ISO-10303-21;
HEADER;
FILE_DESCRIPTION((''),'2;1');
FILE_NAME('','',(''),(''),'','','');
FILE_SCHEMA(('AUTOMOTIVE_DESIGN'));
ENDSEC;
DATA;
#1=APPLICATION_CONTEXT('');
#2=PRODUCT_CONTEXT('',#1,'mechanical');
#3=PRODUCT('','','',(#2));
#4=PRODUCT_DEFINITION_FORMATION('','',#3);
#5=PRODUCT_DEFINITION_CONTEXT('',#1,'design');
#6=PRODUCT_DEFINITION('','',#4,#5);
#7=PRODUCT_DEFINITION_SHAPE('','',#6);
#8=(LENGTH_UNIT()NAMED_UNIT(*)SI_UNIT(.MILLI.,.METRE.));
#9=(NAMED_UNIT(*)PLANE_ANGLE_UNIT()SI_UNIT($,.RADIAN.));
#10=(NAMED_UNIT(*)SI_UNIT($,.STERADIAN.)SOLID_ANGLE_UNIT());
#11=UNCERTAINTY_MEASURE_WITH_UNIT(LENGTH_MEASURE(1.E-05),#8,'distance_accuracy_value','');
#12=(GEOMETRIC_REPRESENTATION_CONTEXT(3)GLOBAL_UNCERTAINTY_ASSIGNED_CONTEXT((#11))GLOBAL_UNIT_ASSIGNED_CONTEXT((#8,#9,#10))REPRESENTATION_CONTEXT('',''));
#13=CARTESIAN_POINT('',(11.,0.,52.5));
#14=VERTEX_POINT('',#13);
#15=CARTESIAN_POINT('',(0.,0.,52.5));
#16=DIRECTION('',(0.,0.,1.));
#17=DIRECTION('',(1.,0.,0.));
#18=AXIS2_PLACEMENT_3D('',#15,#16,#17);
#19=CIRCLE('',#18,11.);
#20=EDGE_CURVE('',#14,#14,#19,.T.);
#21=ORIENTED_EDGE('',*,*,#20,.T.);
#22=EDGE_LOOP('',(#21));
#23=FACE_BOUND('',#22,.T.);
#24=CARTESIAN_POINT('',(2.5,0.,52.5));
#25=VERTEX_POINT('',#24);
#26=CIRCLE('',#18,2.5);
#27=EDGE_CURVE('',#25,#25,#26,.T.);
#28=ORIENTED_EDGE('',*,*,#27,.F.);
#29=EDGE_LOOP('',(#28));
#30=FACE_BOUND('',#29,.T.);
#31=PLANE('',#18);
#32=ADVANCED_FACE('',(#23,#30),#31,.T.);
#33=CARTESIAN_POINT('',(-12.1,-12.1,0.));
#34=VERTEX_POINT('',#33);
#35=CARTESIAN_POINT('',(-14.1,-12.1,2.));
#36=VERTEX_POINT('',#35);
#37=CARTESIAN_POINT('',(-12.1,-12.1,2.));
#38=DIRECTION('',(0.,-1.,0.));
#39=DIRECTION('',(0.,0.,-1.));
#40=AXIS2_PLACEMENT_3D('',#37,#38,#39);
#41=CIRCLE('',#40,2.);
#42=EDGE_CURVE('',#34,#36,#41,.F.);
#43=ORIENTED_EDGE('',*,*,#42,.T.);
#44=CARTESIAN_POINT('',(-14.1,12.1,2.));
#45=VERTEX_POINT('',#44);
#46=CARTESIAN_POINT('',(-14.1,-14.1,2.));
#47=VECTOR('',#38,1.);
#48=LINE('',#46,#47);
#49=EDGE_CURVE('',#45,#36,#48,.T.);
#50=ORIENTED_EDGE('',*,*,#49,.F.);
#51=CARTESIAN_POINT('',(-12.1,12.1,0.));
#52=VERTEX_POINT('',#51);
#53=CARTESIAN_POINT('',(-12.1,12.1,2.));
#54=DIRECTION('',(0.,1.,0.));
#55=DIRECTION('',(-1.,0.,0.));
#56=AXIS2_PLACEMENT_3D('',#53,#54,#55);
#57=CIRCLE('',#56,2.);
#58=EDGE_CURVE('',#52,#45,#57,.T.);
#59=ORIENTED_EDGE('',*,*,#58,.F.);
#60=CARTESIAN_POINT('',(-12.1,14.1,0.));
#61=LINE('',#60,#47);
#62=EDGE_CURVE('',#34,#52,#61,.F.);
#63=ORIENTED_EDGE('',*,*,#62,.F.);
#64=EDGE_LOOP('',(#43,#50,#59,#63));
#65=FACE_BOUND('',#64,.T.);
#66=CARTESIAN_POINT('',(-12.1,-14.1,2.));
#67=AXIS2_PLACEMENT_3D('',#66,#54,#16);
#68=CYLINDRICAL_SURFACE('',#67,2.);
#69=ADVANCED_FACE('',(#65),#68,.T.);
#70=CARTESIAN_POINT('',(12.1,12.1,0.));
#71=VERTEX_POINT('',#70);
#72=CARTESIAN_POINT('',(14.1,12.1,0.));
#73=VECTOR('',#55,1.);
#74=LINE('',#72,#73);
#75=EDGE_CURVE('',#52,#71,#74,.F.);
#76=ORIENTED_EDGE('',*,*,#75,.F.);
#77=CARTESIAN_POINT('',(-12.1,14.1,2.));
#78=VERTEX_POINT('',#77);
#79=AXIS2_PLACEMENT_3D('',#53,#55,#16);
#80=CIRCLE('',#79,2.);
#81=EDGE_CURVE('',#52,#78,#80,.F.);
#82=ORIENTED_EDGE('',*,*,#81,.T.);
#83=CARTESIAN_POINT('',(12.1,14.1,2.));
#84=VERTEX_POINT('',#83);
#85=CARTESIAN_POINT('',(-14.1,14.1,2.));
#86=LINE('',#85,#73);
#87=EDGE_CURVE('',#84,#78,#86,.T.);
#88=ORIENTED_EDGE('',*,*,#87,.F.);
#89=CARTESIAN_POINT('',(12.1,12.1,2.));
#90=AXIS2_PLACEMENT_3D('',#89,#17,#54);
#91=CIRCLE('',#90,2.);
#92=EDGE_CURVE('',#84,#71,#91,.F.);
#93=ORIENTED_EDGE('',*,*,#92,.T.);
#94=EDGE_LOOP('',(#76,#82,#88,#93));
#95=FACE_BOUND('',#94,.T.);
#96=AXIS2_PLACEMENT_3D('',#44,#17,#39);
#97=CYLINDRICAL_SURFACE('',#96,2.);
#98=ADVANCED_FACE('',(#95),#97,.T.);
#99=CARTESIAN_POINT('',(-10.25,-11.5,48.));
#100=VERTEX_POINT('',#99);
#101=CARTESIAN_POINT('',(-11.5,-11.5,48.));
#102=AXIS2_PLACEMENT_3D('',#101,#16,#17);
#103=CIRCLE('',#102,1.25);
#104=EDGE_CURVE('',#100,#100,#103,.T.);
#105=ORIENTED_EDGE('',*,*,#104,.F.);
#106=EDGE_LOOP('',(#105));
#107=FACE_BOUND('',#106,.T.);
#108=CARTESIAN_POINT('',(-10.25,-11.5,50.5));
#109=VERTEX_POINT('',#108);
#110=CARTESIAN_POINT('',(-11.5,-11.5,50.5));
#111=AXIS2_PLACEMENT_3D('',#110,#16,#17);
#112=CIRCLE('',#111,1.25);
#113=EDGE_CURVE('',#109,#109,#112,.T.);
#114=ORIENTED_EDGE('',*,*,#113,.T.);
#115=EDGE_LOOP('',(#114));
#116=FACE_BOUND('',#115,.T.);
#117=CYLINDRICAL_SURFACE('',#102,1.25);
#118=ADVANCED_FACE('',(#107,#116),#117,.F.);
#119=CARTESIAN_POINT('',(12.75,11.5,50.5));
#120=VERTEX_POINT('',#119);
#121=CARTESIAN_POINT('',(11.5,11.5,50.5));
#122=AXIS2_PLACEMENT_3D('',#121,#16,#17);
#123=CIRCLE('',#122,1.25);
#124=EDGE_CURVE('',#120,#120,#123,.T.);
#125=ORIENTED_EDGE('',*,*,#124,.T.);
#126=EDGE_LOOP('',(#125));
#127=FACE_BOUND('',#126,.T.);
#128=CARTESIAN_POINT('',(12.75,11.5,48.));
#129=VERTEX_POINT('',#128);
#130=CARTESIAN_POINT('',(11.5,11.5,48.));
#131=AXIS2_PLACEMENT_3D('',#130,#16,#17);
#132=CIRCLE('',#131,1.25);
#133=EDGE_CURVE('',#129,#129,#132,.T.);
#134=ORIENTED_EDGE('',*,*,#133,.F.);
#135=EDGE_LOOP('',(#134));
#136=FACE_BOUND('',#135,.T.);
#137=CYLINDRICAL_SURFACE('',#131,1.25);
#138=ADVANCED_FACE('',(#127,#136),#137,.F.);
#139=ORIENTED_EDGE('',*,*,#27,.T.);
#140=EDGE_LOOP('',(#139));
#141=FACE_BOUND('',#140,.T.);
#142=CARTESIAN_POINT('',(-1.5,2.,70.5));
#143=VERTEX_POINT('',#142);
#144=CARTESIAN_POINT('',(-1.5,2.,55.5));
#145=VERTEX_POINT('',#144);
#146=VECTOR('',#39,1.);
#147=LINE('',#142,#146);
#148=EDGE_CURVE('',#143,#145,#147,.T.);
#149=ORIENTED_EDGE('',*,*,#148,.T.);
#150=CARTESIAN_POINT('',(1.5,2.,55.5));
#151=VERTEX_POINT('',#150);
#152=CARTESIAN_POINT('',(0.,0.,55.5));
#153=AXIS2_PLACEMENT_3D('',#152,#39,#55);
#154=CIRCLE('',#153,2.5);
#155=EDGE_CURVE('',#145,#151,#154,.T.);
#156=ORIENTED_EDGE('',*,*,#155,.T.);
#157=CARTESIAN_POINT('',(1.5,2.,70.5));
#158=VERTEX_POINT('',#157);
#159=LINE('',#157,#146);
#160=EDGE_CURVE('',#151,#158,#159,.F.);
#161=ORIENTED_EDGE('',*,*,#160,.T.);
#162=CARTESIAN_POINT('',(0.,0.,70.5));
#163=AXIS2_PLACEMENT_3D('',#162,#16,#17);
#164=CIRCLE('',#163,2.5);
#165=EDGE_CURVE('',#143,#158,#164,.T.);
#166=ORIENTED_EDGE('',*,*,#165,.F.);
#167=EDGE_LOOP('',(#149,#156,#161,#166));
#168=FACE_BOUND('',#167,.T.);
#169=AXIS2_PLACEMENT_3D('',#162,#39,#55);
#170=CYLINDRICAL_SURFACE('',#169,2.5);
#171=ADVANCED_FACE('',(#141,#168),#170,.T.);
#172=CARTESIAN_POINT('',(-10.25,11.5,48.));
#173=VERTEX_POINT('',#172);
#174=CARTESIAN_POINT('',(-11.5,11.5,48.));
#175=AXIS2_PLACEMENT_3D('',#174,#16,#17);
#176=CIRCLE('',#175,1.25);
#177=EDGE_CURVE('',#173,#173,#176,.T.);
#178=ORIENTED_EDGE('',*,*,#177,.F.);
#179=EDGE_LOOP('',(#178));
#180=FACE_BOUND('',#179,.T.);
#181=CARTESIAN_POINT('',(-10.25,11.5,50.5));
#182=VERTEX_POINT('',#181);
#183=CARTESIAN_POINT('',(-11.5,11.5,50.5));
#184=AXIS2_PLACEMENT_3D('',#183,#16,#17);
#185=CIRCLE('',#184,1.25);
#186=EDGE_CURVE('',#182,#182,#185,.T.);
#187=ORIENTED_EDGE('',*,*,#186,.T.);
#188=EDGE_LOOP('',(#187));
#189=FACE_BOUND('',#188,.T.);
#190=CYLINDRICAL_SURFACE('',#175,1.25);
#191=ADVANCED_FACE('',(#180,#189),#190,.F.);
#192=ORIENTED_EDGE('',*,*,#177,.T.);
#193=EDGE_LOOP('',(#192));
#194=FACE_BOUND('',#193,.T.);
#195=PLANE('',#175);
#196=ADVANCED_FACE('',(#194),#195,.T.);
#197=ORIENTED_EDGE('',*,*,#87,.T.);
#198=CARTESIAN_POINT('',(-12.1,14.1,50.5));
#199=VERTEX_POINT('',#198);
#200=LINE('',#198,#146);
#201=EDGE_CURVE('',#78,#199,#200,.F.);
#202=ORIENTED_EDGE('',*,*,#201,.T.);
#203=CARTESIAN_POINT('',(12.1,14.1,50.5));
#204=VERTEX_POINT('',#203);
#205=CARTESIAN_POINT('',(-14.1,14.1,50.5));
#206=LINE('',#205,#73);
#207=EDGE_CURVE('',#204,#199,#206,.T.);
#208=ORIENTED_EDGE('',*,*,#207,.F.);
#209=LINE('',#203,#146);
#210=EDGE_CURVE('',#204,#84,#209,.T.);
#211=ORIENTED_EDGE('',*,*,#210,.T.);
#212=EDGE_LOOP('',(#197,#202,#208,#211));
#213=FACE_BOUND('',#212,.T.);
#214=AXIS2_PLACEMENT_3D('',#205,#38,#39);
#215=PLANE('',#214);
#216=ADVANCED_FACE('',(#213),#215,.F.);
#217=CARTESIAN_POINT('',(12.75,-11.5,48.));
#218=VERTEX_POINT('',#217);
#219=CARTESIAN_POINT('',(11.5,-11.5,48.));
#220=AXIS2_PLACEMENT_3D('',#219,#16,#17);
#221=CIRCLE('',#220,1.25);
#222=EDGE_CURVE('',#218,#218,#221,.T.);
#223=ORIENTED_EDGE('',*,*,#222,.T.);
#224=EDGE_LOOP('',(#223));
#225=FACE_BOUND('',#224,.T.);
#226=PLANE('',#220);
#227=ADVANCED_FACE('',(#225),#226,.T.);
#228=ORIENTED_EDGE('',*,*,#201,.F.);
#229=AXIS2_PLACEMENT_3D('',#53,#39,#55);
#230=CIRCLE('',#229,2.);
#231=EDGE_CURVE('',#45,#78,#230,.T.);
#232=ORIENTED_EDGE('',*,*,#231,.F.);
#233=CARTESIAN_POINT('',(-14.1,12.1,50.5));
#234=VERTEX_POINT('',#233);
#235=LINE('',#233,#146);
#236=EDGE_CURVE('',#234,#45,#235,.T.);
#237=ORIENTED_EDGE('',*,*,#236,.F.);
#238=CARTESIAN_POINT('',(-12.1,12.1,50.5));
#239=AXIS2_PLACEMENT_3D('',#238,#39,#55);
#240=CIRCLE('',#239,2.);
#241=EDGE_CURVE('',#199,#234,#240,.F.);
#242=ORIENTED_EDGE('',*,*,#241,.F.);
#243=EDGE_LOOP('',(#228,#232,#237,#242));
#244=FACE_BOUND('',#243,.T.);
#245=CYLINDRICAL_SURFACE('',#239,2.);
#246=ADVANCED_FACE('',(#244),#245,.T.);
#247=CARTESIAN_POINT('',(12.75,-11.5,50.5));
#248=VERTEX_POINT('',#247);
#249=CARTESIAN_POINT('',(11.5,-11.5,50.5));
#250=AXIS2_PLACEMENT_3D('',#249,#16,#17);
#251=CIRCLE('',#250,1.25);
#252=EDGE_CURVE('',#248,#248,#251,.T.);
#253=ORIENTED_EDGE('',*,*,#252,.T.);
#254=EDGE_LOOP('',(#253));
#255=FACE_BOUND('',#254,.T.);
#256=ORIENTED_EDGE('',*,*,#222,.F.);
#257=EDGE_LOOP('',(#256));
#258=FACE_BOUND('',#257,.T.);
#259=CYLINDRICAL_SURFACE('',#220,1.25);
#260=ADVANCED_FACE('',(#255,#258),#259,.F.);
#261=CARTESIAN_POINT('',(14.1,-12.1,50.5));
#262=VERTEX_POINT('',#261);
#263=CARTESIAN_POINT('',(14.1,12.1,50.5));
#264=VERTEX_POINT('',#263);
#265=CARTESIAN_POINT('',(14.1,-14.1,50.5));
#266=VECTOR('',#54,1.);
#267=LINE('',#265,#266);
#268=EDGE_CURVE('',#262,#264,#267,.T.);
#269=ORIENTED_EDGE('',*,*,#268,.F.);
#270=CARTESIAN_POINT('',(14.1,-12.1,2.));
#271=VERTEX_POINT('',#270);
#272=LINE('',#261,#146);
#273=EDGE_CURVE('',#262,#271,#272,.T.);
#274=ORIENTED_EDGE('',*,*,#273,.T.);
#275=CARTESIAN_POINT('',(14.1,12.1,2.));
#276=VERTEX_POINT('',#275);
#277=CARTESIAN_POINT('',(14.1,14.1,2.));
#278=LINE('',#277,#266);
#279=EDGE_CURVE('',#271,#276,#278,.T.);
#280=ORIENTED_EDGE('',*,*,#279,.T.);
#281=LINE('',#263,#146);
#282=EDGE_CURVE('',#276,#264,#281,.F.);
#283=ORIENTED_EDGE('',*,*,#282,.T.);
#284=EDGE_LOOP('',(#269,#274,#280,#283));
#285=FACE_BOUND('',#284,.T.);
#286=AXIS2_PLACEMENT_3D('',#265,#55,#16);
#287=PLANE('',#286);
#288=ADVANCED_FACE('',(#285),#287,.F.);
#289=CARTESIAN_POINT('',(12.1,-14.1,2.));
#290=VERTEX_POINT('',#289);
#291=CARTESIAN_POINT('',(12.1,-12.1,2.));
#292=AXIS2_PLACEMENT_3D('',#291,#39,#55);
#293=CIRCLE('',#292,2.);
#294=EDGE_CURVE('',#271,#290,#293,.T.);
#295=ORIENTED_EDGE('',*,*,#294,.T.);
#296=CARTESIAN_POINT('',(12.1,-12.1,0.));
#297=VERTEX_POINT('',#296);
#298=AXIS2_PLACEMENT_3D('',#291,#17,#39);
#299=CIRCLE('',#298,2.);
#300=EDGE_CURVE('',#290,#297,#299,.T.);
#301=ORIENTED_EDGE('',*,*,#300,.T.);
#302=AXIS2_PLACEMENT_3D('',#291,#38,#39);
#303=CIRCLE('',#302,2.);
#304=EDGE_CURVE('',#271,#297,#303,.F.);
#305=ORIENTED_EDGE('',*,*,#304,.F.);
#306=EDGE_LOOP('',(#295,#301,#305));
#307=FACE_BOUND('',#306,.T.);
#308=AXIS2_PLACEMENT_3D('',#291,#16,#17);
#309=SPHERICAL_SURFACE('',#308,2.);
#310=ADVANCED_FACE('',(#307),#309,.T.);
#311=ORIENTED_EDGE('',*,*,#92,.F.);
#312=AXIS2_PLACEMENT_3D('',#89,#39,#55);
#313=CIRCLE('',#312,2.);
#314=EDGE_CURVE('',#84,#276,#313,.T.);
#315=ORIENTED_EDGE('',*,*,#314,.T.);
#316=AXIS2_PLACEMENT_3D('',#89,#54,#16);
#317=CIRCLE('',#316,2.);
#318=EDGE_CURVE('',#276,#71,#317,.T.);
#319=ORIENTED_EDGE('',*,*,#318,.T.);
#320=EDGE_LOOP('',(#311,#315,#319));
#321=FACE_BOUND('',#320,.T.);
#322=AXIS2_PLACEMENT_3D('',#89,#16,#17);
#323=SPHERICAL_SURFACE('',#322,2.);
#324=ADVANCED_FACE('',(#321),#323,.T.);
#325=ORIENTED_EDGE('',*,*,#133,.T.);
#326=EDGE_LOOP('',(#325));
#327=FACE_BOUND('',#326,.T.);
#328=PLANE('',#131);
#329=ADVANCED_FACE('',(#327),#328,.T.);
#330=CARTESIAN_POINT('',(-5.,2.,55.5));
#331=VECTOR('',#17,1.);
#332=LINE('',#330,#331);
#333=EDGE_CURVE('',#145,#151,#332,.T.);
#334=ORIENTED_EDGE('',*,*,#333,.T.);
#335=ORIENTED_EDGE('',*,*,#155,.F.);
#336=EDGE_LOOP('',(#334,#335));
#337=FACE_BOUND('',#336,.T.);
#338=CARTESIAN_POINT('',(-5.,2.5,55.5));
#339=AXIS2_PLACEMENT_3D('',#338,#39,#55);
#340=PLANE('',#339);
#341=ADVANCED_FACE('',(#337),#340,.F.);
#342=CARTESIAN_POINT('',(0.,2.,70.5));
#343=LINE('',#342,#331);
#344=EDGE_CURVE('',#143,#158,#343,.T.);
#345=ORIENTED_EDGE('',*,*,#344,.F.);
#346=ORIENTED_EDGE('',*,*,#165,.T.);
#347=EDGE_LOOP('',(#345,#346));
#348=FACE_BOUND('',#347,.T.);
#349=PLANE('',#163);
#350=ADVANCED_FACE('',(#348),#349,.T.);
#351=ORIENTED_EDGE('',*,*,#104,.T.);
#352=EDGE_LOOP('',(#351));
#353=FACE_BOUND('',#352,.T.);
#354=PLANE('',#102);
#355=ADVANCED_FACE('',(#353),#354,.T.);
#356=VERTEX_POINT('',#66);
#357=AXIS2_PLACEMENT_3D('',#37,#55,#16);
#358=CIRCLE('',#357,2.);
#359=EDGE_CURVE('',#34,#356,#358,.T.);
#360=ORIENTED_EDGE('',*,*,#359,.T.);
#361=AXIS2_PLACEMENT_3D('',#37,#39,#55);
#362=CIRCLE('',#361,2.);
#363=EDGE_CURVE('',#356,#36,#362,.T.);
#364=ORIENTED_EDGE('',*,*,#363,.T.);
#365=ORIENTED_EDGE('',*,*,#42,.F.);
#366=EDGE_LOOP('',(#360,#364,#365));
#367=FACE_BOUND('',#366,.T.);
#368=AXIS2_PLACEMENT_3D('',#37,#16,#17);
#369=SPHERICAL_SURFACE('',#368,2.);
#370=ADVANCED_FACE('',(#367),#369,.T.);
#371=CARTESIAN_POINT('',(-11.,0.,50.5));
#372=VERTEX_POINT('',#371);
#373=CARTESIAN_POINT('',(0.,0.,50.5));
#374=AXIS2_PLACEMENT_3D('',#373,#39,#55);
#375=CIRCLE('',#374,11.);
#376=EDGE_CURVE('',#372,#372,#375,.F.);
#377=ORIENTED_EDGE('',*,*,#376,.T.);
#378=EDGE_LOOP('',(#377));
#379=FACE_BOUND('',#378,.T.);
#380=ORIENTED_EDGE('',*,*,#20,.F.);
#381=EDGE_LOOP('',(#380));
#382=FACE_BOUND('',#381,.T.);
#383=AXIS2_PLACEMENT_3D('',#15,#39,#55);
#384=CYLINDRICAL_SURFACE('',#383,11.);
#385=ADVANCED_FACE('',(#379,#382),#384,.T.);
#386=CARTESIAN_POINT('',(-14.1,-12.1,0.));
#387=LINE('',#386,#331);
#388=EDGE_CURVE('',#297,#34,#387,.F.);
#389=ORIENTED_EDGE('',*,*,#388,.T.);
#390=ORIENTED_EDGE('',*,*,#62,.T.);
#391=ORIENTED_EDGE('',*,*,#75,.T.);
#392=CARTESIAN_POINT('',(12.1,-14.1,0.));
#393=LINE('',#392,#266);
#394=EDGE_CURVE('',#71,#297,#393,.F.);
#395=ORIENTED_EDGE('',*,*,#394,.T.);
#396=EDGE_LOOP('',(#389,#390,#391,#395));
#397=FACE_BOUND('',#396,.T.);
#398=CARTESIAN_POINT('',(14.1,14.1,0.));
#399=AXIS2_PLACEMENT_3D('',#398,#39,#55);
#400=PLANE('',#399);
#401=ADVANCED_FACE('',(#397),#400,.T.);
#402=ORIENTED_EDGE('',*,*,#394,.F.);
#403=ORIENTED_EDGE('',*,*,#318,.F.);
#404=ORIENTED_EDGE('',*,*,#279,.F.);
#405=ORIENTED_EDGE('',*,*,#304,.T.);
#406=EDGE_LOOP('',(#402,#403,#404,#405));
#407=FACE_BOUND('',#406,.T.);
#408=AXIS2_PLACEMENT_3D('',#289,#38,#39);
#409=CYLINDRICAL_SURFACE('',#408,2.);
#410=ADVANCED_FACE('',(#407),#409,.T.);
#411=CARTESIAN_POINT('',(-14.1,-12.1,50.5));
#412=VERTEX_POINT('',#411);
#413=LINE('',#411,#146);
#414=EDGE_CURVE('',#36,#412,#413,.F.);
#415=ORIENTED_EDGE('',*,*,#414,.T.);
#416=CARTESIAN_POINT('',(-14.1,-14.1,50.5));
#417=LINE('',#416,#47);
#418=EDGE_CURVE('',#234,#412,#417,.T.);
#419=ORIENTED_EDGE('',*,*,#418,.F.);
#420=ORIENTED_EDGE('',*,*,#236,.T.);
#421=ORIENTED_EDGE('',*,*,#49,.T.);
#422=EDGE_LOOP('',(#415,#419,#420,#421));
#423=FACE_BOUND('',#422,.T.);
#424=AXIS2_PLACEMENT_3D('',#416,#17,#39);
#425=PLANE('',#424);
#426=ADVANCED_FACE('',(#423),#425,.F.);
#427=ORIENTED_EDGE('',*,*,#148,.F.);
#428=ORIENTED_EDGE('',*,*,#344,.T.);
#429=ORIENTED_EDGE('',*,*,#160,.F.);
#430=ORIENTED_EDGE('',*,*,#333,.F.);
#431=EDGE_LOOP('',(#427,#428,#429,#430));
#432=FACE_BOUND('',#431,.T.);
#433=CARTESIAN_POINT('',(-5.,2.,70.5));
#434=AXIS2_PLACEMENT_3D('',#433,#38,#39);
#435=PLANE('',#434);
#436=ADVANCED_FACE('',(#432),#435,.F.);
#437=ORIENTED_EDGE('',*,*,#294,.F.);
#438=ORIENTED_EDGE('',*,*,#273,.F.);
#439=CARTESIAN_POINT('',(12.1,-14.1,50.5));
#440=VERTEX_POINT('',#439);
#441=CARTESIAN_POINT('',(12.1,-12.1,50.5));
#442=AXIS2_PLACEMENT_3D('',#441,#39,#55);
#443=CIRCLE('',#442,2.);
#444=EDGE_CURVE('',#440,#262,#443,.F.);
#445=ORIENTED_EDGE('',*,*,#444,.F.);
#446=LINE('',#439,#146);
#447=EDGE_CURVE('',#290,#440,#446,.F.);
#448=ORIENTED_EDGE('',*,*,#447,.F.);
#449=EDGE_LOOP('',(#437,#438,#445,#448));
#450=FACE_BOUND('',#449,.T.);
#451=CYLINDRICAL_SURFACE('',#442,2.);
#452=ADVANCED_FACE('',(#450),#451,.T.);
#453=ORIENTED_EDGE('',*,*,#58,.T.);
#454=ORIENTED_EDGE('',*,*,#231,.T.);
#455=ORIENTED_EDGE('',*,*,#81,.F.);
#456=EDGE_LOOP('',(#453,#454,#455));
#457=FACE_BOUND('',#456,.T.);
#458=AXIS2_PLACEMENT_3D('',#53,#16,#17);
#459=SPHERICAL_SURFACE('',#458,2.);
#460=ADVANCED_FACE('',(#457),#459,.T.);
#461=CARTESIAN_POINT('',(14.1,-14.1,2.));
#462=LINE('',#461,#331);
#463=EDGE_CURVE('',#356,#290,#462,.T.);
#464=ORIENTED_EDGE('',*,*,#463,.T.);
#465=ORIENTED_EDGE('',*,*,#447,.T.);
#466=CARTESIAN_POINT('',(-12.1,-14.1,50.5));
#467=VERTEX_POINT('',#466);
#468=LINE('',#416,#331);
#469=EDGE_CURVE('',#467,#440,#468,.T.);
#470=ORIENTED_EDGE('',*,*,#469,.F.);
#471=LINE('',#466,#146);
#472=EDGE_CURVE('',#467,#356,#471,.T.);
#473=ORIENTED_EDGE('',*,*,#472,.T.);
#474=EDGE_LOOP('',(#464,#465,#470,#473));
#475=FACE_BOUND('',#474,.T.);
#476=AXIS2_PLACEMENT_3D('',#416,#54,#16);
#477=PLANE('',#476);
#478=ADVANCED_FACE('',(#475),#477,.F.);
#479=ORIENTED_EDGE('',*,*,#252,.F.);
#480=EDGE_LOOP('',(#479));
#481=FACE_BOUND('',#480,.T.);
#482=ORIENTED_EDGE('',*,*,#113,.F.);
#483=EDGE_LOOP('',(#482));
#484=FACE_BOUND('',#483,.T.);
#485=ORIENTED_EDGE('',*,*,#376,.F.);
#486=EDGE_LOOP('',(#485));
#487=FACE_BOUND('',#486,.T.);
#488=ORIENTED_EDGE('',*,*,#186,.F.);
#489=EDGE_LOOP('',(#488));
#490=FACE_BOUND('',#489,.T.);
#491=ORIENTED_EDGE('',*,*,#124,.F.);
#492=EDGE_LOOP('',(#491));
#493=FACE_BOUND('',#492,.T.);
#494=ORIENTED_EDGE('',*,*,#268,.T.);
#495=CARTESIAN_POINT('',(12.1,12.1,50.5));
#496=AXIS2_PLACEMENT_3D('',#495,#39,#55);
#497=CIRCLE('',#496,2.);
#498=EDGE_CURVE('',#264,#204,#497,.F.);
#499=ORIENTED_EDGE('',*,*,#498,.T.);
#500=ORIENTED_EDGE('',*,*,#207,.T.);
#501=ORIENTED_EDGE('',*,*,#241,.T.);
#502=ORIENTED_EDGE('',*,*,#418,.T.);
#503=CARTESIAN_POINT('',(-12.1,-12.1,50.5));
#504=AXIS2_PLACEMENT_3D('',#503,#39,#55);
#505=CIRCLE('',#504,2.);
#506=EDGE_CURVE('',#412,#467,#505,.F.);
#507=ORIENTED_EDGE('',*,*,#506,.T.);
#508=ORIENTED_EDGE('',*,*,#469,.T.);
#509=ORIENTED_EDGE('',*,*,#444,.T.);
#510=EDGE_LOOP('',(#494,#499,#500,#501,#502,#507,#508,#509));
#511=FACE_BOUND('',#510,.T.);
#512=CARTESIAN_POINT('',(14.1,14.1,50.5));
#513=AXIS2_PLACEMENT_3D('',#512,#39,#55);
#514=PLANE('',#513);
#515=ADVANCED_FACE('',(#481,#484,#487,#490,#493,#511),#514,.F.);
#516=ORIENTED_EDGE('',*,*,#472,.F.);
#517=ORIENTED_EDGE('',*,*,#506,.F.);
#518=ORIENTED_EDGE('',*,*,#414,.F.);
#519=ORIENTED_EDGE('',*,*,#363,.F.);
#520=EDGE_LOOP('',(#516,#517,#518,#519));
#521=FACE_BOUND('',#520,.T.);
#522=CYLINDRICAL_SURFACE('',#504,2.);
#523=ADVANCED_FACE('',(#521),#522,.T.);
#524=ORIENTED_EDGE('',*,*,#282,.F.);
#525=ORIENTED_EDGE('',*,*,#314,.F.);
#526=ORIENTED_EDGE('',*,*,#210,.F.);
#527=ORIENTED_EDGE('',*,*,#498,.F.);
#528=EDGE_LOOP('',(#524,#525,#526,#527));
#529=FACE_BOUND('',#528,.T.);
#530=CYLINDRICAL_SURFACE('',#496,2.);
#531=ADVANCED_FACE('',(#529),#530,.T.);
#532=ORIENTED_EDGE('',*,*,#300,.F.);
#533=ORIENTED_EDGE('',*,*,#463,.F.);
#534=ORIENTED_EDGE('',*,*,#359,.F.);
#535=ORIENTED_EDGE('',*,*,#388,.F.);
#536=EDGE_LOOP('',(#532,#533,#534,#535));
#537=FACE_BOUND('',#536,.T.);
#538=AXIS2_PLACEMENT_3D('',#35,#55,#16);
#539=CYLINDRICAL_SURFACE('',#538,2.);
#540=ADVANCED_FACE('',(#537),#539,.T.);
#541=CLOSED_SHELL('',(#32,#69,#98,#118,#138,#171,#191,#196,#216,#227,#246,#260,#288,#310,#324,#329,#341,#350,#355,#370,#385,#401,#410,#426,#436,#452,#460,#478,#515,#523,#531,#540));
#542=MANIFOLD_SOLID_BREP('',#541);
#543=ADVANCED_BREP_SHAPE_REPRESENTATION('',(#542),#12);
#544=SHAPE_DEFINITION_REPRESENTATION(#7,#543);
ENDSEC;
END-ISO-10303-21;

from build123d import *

# Parameters (mm, degrees)
SKETCH1_W           = 28.2
SKETCH1_H           = 28.2
BOSS_EXTRUDE1_DEPTH = 50.5
SKETCH2_R           = 11
BOSS_EXTRUDE2_DEPTH = 2
SKETCH3_R           = 2.5
BOSS_EXTRUDE3_DEPTH = 18
SKETCH4_W           = 15
SKETCH4_H           = 0.5
CUT_EXTRUDE1_DEPTH  = 5
SKETCH5_R           = 1.25
CUT_EXTRUDE2_DEPTH  = 2.5
FILLET1_R           = 2


with BuildPart() as part:
    # Sketch1 → Boss-Extrude1 (new body)
    with BuildSketch(Plane.XY):
        Rectangle(SKETCH1_W, SKETCH1_H)
    extrude(amount=BOSS_EXTRUDE1_DEPTH)

    # Sketch2 → Boss-Extrude2 (add)
    with BuildSketch(Plane.XY.offset(50.5)):
        with Locations(Location((0, 0, 0), (0, 0, 180))):
            Circle(SKETCH2_R)
    extrude(amount=BOSS_EXTRUDE2_DEPTH)

    # Sketch3 → Boss-Extrude3 (add)
    with BuildSketch(Plane.XY.offset(52.5)):
        Circle(SKETCH3_R)
    extrude(amount=BOSS_EXTRUDE3_DEPTH)

    # Sketch4 → Cut-Extrude1 (cut, symmetric)
    with BuildSketch(Plane(origin=(0, 0, 0), x_dir=(0, 0, -1), z_dir=(1, 0, 0))):
        with Locations((-63, 2.25)):
            Rectangle(SKETCH4_W, SKETCH4_H)
    extrude(amount=CUT_EXTRUDE1_DEPTH, both=True, mode=Mode.SUBTRACT)

    # Sketch5 → Cut-Extrude2 (cut)
    with BuildSketch(Plane.XY.offset(50.5)):
        with Locations((-11.5, 11.5)):
            Circle(SKETCH5_R)
        with Locations((11.5, 11.5)):
            Circle(SKETCH5_R)
        with Locations((11.5, -11.5)):
            Circle(SKETCH5_R)
        with Locations((-11.5, -11.5)):
            Circle(SKETCH5_R)
    extrude(amount=-CUT_EXTRUDE2_DEPTH, mode=Mode.SUBTRACT)

    # Fillet1
    fillet1_edges = [part.edges().sort_by_distance(p)[0] for p in [
        (0, -14.1, 0),
        (-14.1, 0, 0),
        (0, 14.1, 0),
        (14.1, 0, 0),
        (14.1, -14.1, 25.25),
        (-14.1, -14.1, 25.25),
        (-14.1, 14.1, 25.25),
        (14.1, 14.1, 25.25),
    ]]
    fillet(fillet1_edges, radius=FILLET1_R)


solid = part.part
